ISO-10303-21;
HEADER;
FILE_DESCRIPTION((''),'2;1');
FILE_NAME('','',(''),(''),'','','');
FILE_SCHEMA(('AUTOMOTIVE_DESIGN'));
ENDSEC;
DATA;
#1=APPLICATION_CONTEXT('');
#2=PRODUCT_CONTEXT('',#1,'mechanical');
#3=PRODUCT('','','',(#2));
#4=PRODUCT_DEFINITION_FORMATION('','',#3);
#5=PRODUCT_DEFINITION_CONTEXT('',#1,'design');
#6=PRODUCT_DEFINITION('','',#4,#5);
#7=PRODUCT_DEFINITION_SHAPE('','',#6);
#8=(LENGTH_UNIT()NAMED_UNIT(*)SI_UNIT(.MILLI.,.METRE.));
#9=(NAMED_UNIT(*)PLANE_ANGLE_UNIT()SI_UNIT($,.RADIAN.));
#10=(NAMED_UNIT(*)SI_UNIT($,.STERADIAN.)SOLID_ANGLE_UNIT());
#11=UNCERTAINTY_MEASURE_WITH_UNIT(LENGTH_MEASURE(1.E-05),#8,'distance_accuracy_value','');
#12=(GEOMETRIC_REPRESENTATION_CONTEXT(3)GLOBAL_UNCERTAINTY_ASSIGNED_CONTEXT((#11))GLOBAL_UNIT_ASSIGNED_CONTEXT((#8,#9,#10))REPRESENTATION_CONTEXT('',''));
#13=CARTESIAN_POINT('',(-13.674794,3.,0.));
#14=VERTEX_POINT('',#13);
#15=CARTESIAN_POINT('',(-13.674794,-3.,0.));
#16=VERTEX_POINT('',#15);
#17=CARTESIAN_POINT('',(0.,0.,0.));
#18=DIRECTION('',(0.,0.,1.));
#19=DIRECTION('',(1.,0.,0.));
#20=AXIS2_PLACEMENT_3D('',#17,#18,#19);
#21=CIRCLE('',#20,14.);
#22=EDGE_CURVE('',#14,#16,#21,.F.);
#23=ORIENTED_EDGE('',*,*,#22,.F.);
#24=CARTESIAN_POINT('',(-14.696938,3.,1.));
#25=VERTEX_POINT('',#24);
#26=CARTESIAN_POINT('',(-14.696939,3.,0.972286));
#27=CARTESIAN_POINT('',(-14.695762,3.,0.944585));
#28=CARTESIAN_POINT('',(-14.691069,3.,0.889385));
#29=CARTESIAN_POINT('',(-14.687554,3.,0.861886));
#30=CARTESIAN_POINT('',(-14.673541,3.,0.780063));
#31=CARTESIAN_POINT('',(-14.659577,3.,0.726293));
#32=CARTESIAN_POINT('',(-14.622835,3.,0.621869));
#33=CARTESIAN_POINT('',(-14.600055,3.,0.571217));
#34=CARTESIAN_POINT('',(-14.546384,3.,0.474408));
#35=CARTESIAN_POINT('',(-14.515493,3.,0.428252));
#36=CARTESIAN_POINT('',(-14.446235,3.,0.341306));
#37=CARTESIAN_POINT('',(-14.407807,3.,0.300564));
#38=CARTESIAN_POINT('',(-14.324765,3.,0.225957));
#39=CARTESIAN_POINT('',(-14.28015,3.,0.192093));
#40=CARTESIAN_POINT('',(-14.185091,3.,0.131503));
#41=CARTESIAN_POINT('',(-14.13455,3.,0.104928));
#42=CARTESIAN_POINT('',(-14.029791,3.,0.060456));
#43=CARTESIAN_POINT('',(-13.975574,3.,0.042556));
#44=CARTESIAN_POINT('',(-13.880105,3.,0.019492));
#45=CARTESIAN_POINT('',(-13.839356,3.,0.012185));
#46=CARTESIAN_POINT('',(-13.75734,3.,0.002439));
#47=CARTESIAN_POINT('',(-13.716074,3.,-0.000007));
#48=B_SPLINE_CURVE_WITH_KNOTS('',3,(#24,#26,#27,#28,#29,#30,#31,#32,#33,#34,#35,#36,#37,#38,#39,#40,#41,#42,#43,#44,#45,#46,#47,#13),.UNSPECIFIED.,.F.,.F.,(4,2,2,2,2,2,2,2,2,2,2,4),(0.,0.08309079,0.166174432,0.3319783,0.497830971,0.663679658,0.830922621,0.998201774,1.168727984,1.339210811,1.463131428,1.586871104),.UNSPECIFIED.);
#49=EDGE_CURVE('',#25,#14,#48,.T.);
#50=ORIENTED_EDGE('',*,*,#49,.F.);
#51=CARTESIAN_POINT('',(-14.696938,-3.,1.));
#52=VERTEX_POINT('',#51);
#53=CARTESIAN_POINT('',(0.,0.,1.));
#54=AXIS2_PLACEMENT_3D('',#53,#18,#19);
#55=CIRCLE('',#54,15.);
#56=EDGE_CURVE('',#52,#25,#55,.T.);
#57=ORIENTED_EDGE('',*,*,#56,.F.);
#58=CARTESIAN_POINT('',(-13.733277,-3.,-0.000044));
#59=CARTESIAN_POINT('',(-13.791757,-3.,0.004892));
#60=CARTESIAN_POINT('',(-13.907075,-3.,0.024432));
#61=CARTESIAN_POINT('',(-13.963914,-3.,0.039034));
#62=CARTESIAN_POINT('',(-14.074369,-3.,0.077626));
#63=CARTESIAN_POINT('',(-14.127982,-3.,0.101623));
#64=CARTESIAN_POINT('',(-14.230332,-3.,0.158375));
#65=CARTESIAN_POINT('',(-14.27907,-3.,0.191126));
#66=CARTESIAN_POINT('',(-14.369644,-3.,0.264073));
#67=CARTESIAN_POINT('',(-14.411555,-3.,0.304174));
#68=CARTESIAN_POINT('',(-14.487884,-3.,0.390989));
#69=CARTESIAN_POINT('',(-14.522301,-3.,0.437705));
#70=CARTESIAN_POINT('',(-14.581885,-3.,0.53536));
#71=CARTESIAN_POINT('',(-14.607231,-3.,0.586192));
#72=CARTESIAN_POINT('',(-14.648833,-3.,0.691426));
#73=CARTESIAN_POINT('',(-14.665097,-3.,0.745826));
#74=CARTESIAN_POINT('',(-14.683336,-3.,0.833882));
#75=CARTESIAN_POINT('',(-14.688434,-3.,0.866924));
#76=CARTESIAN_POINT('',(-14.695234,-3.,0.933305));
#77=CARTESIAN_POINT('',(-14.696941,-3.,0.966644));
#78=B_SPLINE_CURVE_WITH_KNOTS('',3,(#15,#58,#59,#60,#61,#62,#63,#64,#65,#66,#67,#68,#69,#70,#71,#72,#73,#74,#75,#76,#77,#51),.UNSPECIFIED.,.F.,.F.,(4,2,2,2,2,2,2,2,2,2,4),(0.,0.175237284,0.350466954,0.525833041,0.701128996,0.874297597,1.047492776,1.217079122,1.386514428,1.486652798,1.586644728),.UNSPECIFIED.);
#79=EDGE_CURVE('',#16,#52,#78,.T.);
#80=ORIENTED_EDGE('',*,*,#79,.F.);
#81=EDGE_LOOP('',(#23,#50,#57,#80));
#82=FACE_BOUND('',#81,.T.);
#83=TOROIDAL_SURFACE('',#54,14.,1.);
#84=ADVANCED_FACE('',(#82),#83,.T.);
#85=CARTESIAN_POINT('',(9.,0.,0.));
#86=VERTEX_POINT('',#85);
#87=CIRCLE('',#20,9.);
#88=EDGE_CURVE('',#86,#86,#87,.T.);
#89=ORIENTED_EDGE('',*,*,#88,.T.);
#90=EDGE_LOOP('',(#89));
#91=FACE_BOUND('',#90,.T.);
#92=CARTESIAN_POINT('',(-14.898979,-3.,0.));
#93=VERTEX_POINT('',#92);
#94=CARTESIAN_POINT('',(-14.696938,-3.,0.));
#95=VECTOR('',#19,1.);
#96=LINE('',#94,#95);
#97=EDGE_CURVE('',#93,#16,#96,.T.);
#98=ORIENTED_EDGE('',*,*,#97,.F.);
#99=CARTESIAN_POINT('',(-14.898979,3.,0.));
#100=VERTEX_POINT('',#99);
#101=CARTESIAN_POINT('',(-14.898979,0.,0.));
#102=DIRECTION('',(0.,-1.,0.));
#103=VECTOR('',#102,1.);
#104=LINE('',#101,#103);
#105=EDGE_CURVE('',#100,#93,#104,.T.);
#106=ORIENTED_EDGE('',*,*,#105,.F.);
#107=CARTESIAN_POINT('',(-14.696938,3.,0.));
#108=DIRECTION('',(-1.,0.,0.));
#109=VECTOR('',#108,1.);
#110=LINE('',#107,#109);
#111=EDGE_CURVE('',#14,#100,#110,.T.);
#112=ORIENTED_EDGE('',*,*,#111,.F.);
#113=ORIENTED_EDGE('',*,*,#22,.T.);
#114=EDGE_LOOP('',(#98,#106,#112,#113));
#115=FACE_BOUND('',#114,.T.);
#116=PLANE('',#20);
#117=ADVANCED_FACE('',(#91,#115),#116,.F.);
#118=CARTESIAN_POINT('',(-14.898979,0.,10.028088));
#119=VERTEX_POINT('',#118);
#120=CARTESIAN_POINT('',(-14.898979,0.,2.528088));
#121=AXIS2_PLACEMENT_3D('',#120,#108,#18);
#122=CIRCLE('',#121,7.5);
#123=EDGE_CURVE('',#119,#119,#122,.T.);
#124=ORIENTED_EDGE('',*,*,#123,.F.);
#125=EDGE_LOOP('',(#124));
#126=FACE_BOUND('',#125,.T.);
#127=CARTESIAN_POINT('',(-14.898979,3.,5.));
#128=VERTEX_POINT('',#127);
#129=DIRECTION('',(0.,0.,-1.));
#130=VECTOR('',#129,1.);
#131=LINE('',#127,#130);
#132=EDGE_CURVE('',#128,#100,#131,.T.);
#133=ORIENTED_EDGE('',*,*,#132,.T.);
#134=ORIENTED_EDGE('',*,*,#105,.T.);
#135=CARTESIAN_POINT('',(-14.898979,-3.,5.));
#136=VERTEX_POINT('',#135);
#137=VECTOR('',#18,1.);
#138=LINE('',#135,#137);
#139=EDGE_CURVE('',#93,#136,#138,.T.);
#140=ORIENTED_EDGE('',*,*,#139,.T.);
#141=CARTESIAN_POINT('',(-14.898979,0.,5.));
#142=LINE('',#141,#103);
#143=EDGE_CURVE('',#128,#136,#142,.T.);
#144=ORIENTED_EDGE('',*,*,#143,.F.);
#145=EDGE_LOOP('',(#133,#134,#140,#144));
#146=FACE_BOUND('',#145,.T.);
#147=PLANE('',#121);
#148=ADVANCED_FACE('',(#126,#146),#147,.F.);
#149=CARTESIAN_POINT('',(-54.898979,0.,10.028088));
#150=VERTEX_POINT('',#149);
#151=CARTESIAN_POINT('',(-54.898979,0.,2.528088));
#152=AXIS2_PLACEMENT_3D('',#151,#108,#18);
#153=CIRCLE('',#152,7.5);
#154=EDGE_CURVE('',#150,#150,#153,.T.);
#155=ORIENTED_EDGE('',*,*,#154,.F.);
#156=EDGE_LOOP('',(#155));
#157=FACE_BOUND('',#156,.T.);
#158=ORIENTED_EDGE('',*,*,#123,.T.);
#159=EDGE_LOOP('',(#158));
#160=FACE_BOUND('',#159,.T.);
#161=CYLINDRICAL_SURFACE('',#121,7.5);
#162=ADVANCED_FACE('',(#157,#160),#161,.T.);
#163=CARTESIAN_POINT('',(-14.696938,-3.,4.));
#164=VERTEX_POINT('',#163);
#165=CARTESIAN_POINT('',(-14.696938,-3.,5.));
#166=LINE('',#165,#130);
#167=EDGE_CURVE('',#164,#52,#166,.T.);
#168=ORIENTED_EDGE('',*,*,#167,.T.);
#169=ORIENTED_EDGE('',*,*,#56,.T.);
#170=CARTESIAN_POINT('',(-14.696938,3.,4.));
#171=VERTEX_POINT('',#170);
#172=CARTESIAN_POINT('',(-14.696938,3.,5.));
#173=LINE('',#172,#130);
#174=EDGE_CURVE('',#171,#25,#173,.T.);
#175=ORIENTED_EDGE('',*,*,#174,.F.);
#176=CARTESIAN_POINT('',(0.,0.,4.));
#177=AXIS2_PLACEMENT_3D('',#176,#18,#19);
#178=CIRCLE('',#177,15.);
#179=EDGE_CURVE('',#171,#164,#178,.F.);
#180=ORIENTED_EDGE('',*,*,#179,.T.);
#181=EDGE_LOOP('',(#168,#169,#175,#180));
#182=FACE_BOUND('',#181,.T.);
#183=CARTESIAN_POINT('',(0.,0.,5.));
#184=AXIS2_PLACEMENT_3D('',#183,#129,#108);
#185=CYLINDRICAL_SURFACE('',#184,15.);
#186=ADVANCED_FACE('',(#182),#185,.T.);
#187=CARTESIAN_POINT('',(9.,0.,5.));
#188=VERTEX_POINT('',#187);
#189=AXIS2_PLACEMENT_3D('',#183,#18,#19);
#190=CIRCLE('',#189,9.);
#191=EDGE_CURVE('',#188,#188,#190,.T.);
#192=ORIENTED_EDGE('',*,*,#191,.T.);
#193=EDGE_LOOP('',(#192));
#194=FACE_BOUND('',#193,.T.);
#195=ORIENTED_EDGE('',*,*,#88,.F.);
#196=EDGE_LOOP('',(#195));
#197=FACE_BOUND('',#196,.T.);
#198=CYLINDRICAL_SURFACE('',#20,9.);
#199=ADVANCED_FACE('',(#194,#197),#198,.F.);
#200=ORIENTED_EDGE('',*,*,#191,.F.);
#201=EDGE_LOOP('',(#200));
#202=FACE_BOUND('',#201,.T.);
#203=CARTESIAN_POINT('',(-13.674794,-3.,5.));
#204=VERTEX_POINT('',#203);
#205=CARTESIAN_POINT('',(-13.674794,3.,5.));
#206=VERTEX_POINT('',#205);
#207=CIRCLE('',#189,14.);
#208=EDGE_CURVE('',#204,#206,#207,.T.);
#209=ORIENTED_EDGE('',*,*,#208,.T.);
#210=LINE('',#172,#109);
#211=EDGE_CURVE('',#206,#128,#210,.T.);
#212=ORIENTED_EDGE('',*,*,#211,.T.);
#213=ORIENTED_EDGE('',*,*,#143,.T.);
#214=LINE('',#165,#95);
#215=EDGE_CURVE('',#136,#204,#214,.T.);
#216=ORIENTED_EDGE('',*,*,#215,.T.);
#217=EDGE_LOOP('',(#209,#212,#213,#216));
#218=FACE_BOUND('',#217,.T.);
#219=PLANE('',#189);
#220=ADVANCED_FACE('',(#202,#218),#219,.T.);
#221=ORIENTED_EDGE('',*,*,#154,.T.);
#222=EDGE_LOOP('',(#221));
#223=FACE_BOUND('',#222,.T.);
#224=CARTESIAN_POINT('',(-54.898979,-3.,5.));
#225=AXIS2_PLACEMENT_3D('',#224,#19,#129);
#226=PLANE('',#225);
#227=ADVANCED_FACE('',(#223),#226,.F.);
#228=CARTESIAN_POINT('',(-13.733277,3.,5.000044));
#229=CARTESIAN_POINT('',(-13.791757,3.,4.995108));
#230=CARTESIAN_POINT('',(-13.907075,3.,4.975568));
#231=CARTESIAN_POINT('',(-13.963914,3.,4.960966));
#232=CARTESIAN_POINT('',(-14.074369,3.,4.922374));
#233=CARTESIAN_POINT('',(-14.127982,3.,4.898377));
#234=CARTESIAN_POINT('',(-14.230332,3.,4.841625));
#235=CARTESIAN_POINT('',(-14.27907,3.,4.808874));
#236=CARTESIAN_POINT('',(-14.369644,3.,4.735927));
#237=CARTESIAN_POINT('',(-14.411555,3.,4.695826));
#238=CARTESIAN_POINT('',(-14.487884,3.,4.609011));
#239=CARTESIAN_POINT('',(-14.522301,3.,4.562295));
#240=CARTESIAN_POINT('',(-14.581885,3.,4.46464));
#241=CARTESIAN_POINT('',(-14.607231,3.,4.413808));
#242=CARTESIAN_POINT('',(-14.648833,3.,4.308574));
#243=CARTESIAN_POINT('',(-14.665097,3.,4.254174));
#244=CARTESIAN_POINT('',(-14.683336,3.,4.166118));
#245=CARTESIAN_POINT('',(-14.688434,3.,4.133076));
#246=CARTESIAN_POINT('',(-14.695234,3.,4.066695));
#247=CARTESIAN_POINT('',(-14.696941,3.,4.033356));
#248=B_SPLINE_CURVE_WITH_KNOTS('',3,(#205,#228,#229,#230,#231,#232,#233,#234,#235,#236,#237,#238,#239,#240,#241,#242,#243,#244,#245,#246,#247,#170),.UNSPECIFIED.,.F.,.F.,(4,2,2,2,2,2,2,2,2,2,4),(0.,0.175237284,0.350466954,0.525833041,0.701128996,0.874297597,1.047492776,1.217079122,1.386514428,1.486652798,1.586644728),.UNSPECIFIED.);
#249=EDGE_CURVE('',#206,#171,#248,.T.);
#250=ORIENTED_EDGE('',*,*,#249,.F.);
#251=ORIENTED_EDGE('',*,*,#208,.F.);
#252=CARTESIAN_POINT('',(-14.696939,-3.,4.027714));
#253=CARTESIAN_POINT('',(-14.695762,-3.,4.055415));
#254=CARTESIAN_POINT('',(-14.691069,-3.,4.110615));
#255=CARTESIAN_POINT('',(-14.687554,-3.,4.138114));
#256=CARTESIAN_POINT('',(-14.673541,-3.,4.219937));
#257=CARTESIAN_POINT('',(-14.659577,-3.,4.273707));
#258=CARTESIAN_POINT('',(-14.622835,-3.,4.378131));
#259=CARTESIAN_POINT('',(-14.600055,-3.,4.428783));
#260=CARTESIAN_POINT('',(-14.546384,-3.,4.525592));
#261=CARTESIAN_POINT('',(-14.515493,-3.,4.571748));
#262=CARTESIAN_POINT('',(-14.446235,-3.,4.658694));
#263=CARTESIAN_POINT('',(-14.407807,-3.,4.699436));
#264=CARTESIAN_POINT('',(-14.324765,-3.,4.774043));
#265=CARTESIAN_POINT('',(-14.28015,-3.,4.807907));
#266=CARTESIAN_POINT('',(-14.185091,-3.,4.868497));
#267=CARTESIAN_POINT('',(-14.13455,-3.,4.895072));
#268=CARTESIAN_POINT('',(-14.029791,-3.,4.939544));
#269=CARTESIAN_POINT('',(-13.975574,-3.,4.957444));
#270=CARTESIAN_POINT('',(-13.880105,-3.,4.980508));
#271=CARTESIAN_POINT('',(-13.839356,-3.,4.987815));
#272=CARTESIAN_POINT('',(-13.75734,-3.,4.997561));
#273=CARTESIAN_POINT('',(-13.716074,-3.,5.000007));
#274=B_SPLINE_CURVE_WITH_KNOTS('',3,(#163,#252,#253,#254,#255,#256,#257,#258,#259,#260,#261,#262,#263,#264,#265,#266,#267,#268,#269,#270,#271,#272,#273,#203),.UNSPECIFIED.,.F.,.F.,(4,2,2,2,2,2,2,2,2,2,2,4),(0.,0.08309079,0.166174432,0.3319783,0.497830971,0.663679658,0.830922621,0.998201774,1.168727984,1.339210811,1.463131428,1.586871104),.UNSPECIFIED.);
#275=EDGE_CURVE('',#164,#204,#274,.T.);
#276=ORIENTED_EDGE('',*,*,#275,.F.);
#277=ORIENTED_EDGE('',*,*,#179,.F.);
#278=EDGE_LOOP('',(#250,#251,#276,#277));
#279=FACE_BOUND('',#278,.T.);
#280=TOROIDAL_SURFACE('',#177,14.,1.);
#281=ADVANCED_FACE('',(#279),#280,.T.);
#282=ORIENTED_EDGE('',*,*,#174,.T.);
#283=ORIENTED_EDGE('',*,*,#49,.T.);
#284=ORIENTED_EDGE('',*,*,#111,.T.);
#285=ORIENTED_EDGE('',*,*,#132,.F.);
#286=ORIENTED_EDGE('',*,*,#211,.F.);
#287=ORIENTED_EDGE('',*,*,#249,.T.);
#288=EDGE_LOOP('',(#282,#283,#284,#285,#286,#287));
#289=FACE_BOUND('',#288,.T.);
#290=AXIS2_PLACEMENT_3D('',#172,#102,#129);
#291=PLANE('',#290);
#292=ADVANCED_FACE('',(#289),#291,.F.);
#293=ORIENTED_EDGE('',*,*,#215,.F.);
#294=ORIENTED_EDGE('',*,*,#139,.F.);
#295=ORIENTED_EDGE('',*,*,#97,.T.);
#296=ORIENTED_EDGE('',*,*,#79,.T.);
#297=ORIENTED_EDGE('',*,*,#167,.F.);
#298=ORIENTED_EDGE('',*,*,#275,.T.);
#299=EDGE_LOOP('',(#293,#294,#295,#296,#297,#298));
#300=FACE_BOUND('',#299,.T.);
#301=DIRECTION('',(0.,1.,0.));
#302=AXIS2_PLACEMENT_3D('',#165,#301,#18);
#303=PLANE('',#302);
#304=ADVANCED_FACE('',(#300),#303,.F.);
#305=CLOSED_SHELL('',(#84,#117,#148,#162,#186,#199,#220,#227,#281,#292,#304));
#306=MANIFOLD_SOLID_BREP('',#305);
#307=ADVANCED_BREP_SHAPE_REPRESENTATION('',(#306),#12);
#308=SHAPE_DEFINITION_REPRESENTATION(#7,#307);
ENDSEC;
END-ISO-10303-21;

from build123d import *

# Parameters (mm, degrees)
BOSS_EXTRUDE2_DEPTH = 5
SKETCH6_R           = 9
CUT_EXTRUDE1_DEPTH  = 58.130534293
FILLET2_R           = 1
SKETCH7_R           = 7.5
BOSS_EXTRUDE3_DEPTH = 40


with BuildPart() as part:
    # Sketch4 → Boss-Extrude2 (new body)
    with BuildSketch(Plane.XY):
        with BuildLine():
            Line((-54.898979486, -3), (-54.898979486, 3))
            Line((-54.898979486, 3), (-14.696938457, 3))
            ThreePointArc((-14.696938457, 3), (15, 0), (-14.696938457, -3))
            Line((-14.696938457, -3), (-54.898979486, -3))
        make_face()
    extrude(amount=BOSS_EXTRUDE2_DEPTH)

    # Sketch6 → Cut-Extrude1 (cut, through all)
    with BuildSketch(Plane.XY.offset(5)):
        Circle(SKETCH6_R)
    extrude(amount=-CUT_EXTRUDE1_DEPTH, mode=Mode.SUBTRACT)

    # Fillet2
    fillet2_edges = [part.edges().sort_by_distance(p)[0] for p in [
        (15, 0, 5),
        (15, 0, 0),
    ]]
    fillet(fillet2_edges, radius=FILLET2_R)

    # Sketch7 → Boss-Extrude3 (add)
    with BuildSketch(Plane.ZY.offset(54.898979486)):
        with Locations((2.528088008, 0)):
            Circle(SKETCH7_R)
    extrude(amount=-BOSS_EXTRUDE3_DEPTH)


solid = part.part
